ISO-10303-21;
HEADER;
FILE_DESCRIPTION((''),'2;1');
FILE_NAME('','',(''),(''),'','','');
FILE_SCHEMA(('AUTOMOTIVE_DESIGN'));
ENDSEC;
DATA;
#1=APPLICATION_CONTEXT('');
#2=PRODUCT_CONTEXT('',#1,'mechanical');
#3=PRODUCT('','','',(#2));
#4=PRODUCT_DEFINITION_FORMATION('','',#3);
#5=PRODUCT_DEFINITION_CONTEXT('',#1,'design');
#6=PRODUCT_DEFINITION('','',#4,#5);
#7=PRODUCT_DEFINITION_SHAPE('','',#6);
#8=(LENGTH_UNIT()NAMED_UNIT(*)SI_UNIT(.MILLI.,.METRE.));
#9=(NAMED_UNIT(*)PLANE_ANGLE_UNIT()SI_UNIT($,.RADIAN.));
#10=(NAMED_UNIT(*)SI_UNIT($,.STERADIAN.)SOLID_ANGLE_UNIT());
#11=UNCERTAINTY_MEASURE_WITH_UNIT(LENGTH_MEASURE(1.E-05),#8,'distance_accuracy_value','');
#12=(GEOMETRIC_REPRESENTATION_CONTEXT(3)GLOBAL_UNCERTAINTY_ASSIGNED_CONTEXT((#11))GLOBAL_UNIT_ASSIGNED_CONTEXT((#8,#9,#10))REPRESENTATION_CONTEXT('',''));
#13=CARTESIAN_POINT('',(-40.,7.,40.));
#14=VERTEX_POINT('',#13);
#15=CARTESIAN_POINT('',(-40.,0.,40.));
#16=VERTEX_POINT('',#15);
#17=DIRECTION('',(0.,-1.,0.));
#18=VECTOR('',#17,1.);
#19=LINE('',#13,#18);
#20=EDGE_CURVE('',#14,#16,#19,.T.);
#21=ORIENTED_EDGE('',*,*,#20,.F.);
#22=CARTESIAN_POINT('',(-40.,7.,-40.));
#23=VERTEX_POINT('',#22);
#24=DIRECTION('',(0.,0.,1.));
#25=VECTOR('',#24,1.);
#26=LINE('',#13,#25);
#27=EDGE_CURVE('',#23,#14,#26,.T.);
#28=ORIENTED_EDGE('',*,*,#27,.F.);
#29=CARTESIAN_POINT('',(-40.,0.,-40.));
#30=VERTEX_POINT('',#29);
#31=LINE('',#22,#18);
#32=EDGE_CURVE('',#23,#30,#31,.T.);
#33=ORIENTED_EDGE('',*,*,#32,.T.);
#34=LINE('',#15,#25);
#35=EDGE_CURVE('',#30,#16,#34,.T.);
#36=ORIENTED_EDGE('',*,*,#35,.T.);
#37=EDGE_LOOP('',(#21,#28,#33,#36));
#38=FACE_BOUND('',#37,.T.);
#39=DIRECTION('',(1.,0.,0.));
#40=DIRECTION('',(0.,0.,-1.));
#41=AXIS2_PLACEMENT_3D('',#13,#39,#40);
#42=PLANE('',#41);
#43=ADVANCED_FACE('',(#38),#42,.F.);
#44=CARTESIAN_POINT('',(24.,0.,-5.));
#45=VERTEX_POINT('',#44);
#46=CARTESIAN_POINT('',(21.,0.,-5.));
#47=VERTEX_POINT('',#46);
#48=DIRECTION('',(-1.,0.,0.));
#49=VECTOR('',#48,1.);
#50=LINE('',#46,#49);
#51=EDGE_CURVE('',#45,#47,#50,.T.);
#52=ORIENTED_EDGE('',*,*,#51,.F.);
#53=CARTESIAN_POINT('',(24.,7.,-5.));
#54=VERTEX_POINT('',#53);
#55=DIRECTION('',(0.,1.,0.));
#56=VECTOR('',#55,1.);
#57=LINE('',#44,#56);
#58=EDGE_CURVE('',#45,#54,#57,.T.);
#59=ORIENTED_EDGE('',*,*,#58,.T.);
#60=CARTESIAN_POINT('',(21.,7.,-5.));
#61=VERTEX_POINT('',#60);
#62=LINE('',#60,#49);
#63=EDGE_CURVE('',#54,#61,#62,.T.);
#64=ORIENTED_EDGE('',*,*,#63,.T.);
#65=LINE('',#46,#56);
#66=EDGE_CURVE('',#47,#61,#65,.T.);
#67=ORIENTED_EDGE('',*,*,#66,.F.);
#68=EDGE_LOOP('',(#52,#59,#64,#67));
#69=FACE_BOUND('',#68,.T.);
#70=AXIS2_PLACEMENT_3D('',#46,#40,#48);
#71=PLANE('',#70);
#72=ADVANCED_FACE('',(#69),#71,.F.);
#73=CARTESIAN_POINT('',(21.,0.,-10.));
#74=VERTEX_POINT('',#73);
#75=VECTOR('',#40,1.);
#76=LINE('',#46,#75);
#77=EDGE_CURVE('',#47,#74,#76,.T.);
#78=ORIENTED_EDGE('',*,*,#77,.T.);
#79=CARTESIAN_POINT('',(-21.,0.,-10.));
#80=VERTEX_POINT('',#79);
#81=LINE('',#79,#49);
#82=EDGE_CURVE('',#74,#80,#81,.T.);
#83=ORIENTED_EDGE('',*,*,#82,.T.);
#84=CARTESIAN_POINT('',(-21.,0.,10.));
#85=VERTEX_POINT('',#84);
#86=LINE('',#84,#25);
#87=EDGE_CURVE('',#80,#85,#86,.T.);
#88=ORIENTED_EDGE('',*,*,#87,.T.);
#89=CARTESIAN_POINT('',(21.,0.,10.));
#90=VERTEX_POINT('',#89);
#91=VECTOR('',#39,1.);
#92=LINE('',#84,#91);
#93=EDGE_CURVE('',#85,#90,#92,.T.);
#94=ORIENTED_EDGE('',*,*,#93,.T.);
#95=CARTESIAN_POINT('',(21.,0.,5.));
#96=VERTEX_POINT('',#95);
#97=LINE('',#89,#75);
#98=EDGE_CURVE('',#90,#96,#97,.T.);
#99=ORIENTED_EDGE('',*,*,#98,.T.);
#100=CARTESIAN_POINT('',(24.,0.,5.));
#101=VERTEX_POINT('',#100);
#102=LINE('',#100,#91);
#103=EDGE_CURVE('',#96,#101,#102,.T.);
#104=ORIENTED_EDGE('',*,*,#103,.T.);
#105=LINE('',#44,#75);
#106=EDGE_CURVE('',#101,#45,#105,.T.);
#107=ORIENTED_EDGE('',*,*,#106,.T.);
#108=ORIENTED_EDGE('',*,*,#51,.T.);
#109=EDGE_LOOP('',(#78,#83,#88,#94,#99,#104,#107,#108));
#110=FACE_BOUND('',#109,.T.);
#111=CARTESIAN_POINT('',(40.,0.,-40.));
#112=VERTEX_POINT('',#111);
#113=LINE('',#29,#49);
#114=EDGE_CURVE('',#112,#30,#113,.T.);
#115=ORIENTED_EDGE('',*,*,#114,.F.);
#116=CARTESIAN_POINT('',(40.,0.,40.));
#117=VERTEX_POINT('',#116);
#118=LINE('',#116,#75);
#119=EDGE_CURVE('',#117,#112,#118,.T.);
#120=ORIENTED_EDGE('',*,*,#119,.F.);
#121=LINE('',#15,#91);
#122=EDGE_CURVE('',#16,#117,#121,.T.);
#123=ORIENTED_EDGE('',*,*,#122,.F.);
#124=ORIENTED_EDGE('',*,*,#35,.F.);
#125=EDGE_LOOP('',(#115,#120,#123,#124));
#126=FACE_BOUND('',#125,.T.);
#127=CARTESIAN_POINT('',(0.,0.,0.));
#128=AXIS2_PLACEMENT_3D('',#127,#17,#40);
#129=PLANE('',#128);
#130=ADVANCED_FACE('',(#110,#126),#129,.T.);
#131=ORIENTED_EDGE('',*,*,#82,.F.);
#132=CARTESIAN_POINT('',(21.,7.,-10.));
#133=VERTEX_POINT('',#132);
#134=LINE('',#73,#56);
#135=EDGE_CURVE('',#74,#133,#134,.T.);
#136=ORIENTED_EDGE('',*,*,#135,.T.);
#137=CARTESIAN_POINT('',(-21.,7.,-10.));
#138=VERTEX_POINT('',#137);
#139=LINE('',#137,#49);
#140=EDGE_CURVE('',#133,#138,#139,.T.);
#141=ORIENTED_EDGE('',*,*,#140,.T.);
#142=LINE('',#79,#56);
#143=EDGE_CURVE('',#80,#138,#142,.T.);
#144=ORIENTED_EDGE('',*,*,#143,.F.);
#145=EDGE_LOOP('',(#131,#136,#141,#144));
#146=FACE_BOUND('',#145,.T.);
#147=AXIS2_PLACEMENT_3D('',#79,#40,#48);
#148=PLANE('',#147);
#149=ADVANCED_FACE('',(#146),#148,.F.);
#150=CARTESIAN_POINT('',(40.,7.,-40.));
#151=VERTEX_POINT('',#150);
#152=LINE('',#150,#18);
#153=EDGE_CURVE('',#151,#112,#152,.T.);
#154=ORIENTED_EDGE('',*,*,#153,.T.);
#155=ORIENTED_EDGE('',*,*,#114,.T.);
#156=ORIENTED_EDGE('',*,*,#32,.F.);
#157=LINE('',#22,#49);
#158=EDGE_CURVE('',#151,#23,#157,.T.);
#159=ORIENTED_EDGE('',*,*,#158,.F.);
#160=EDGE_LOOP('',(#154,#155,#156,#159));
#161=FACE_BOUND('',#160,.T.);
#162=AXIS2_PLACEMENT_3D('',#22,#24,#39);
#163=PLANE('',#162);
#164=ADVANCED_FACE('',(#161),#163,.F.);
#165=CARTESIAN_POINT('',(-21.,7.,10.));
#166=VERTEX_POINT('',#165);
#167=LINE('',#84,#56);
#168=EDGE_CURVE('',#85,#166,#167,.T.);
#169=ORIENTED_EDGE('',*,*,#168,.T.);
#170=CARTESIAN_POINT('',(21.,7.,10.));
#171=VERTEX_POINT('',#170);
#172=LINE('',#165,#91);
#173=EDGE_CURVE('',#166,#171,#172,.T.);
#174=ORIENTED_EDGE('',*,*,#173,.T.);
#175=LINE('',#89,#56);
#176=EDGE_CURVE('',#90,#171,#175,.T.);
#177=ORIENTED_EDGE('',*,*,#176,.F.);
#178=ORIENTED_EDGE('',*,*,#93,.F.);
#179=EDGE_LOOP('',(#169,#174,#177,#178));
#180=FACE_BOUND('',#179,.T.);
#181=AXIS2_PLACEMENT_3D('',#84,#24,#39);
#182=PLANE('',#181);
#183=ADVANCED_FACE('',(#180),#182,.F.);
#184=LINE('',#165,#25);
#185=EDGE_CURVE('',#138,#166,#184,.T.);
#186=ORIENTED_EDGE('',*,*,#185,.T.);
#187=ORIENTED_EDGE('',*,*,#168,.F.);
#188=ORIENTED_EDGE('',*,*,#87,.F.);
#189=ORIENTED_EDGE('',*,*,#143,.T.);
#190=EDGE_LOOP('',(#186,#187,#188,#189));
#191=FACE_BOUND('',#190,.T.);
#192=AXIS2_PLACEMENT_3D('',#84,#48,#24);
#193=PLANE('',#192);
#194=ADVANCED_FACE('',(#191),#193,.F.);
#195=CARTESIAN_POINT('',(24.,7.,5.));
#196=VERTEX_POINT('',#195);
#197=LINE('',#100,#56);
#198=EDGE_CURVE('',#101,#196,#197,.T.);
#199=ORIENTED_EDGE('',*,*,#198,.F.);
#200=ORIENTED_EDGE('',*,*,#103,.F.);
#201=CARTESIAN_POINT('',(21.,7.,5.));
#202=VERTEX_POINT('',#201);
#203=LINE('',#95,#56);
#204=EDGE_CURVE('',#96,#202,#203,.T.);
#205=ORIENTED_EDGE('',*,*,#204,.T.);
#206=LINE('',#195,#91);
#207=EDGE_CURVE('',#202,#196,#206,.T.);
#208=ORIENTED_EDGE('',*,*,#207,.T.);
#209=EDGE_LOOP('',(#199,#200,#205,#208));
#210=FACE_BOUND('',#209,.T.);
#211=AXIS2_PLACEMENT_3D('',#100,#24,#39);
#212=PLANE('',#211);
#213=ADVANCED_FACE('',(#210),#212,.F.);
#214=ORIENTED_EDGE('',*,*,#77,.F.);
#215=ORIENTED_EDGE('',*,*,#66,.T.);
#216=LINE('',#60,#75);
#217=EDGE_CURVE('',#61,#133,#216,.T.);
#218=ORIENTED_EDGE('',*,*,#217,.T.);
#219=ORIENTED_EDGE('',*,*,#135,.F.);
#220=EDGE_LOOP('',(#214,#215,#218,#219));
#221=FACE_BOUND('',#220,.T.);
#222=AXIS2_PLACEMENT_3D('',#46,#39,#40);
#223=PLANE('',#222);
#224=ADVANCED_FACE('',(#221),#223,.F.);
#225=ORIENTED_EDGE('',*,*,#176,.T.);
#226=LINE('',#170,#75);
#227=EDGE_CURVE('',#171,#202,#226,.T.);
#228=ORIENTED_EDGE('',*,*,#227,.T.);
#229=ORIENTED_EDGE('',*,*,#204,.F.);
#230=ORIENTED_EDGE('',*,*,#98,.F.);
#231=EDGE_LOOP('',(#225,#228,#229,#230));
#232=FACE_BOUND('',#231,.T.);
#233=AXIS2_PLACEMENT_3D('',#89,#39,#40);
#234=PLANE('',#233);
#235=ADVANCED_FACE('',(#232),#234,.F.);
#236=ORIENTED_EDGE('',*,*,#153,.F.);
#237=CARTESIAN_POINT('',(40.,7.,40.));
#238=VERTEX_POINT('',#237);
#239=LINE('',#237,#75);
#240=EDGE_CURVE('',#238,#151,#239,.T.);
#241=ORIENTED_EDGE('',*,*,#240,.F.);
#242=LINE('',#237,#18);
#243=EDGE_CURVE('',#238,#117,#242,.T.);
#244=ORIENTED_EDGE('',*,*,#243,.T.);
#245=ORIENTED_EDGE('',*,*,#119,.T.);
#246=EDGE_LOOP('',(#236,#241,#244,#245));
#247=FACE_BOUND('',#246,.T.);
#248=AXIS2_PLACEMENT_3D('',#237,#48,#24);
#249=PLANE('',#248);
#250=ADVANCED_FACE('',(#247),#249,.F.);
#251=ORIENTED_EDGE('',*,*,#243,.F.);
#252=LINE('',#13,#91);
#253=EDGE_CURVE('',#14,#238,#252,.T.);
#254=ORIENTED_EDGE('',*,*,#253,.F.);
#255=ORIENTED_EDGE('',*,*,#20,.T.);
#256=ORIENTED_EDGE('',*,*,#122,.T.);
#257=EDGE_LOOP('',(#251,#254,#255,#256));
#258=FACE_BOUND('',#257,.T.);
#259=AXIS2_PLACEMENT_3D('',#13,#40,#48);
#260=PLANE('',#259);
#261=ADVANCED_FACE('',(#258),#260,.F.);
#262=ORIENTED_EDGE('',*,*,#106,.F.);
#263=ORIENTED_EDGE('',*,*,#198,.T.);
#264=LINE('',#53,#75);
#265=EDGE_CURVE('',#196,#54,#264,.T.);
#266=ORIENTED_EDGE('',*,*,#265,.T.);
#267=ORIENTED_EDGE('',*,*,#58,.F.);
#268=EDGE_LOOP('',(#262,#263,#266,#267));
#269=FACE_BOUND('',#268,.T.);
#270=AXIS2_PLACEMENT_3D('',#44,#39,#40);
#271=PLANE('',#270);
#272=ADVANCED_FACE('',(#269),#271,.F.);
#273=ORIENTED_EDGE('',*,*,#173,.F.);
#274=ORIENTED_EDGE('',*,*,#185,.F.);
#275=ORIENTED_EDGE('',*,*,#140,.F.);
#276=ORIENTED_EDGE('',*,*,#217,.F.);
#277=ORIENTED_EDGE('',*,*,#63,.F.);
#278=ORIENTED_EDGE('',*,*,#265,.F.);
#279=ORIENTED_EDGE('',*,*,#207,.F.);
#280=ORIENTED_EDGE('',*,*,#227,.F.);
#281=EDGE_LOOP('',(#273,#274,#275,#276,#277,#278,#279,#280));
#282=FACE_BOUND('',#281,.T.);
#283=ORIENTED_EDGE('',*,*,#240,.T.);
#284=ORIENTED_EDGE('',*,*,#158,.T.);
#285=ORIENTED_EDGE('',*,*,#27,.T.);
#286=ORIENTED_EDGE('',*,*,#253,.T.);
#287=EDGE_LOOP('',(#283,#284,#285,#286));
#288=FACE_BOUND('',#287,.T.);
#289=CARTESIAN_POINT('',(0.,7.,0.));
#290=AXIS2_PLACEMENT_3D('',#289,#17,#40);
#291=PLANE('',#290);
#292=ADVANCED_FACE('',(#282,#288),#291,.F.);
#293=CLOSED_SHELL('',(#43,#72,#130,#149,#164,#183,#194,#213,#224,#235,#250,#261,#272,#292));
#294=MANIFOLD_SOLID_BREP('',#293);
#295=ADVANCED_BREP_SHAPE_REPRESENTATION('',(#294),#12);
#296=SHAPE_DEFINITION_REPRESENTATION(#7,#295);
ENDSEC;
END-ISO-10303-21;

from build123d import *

# Parameters (mm, degrees)
CROQUIS1_W              = 80
CROQUIS1_H              = 80
SALIENTE_EXTRUIR1_DEPTH = 7
CORTAR_EXTRUIR1_DEPTH   = 58


with BuildPart() as part:
    # Croquis1 → Saliente-Extruir1 (new body)
    with BuildSketch(Plane(origin=(0, 0, 0), x_dir=(1, 0, 0), z_dir=(0, 1, 0))):
        Rectangle(CROQUIS1_W, CROQUIS1_H)
    extrude(amount=SALIENTE_EXTRUIR1_DEPTH)

    # Croquis2 → Cortar-Extruir1 (cut, through all)
    with BuildSketch(Plane(origin=(0, 7, 0), x_dir=(1, 0, 0), z_dir=(0, 1, 0))):
        Polygon((21, 5), (24, 5), (24, -5), (21, -5), (21, -10), (-21, -10), (-21, 10), (21, 10), align=None)
    extrude(amount=-CORTAR_EXTRUIR1_DEPTH, mode=Mode.SUBTRACT)


solid = part.part
